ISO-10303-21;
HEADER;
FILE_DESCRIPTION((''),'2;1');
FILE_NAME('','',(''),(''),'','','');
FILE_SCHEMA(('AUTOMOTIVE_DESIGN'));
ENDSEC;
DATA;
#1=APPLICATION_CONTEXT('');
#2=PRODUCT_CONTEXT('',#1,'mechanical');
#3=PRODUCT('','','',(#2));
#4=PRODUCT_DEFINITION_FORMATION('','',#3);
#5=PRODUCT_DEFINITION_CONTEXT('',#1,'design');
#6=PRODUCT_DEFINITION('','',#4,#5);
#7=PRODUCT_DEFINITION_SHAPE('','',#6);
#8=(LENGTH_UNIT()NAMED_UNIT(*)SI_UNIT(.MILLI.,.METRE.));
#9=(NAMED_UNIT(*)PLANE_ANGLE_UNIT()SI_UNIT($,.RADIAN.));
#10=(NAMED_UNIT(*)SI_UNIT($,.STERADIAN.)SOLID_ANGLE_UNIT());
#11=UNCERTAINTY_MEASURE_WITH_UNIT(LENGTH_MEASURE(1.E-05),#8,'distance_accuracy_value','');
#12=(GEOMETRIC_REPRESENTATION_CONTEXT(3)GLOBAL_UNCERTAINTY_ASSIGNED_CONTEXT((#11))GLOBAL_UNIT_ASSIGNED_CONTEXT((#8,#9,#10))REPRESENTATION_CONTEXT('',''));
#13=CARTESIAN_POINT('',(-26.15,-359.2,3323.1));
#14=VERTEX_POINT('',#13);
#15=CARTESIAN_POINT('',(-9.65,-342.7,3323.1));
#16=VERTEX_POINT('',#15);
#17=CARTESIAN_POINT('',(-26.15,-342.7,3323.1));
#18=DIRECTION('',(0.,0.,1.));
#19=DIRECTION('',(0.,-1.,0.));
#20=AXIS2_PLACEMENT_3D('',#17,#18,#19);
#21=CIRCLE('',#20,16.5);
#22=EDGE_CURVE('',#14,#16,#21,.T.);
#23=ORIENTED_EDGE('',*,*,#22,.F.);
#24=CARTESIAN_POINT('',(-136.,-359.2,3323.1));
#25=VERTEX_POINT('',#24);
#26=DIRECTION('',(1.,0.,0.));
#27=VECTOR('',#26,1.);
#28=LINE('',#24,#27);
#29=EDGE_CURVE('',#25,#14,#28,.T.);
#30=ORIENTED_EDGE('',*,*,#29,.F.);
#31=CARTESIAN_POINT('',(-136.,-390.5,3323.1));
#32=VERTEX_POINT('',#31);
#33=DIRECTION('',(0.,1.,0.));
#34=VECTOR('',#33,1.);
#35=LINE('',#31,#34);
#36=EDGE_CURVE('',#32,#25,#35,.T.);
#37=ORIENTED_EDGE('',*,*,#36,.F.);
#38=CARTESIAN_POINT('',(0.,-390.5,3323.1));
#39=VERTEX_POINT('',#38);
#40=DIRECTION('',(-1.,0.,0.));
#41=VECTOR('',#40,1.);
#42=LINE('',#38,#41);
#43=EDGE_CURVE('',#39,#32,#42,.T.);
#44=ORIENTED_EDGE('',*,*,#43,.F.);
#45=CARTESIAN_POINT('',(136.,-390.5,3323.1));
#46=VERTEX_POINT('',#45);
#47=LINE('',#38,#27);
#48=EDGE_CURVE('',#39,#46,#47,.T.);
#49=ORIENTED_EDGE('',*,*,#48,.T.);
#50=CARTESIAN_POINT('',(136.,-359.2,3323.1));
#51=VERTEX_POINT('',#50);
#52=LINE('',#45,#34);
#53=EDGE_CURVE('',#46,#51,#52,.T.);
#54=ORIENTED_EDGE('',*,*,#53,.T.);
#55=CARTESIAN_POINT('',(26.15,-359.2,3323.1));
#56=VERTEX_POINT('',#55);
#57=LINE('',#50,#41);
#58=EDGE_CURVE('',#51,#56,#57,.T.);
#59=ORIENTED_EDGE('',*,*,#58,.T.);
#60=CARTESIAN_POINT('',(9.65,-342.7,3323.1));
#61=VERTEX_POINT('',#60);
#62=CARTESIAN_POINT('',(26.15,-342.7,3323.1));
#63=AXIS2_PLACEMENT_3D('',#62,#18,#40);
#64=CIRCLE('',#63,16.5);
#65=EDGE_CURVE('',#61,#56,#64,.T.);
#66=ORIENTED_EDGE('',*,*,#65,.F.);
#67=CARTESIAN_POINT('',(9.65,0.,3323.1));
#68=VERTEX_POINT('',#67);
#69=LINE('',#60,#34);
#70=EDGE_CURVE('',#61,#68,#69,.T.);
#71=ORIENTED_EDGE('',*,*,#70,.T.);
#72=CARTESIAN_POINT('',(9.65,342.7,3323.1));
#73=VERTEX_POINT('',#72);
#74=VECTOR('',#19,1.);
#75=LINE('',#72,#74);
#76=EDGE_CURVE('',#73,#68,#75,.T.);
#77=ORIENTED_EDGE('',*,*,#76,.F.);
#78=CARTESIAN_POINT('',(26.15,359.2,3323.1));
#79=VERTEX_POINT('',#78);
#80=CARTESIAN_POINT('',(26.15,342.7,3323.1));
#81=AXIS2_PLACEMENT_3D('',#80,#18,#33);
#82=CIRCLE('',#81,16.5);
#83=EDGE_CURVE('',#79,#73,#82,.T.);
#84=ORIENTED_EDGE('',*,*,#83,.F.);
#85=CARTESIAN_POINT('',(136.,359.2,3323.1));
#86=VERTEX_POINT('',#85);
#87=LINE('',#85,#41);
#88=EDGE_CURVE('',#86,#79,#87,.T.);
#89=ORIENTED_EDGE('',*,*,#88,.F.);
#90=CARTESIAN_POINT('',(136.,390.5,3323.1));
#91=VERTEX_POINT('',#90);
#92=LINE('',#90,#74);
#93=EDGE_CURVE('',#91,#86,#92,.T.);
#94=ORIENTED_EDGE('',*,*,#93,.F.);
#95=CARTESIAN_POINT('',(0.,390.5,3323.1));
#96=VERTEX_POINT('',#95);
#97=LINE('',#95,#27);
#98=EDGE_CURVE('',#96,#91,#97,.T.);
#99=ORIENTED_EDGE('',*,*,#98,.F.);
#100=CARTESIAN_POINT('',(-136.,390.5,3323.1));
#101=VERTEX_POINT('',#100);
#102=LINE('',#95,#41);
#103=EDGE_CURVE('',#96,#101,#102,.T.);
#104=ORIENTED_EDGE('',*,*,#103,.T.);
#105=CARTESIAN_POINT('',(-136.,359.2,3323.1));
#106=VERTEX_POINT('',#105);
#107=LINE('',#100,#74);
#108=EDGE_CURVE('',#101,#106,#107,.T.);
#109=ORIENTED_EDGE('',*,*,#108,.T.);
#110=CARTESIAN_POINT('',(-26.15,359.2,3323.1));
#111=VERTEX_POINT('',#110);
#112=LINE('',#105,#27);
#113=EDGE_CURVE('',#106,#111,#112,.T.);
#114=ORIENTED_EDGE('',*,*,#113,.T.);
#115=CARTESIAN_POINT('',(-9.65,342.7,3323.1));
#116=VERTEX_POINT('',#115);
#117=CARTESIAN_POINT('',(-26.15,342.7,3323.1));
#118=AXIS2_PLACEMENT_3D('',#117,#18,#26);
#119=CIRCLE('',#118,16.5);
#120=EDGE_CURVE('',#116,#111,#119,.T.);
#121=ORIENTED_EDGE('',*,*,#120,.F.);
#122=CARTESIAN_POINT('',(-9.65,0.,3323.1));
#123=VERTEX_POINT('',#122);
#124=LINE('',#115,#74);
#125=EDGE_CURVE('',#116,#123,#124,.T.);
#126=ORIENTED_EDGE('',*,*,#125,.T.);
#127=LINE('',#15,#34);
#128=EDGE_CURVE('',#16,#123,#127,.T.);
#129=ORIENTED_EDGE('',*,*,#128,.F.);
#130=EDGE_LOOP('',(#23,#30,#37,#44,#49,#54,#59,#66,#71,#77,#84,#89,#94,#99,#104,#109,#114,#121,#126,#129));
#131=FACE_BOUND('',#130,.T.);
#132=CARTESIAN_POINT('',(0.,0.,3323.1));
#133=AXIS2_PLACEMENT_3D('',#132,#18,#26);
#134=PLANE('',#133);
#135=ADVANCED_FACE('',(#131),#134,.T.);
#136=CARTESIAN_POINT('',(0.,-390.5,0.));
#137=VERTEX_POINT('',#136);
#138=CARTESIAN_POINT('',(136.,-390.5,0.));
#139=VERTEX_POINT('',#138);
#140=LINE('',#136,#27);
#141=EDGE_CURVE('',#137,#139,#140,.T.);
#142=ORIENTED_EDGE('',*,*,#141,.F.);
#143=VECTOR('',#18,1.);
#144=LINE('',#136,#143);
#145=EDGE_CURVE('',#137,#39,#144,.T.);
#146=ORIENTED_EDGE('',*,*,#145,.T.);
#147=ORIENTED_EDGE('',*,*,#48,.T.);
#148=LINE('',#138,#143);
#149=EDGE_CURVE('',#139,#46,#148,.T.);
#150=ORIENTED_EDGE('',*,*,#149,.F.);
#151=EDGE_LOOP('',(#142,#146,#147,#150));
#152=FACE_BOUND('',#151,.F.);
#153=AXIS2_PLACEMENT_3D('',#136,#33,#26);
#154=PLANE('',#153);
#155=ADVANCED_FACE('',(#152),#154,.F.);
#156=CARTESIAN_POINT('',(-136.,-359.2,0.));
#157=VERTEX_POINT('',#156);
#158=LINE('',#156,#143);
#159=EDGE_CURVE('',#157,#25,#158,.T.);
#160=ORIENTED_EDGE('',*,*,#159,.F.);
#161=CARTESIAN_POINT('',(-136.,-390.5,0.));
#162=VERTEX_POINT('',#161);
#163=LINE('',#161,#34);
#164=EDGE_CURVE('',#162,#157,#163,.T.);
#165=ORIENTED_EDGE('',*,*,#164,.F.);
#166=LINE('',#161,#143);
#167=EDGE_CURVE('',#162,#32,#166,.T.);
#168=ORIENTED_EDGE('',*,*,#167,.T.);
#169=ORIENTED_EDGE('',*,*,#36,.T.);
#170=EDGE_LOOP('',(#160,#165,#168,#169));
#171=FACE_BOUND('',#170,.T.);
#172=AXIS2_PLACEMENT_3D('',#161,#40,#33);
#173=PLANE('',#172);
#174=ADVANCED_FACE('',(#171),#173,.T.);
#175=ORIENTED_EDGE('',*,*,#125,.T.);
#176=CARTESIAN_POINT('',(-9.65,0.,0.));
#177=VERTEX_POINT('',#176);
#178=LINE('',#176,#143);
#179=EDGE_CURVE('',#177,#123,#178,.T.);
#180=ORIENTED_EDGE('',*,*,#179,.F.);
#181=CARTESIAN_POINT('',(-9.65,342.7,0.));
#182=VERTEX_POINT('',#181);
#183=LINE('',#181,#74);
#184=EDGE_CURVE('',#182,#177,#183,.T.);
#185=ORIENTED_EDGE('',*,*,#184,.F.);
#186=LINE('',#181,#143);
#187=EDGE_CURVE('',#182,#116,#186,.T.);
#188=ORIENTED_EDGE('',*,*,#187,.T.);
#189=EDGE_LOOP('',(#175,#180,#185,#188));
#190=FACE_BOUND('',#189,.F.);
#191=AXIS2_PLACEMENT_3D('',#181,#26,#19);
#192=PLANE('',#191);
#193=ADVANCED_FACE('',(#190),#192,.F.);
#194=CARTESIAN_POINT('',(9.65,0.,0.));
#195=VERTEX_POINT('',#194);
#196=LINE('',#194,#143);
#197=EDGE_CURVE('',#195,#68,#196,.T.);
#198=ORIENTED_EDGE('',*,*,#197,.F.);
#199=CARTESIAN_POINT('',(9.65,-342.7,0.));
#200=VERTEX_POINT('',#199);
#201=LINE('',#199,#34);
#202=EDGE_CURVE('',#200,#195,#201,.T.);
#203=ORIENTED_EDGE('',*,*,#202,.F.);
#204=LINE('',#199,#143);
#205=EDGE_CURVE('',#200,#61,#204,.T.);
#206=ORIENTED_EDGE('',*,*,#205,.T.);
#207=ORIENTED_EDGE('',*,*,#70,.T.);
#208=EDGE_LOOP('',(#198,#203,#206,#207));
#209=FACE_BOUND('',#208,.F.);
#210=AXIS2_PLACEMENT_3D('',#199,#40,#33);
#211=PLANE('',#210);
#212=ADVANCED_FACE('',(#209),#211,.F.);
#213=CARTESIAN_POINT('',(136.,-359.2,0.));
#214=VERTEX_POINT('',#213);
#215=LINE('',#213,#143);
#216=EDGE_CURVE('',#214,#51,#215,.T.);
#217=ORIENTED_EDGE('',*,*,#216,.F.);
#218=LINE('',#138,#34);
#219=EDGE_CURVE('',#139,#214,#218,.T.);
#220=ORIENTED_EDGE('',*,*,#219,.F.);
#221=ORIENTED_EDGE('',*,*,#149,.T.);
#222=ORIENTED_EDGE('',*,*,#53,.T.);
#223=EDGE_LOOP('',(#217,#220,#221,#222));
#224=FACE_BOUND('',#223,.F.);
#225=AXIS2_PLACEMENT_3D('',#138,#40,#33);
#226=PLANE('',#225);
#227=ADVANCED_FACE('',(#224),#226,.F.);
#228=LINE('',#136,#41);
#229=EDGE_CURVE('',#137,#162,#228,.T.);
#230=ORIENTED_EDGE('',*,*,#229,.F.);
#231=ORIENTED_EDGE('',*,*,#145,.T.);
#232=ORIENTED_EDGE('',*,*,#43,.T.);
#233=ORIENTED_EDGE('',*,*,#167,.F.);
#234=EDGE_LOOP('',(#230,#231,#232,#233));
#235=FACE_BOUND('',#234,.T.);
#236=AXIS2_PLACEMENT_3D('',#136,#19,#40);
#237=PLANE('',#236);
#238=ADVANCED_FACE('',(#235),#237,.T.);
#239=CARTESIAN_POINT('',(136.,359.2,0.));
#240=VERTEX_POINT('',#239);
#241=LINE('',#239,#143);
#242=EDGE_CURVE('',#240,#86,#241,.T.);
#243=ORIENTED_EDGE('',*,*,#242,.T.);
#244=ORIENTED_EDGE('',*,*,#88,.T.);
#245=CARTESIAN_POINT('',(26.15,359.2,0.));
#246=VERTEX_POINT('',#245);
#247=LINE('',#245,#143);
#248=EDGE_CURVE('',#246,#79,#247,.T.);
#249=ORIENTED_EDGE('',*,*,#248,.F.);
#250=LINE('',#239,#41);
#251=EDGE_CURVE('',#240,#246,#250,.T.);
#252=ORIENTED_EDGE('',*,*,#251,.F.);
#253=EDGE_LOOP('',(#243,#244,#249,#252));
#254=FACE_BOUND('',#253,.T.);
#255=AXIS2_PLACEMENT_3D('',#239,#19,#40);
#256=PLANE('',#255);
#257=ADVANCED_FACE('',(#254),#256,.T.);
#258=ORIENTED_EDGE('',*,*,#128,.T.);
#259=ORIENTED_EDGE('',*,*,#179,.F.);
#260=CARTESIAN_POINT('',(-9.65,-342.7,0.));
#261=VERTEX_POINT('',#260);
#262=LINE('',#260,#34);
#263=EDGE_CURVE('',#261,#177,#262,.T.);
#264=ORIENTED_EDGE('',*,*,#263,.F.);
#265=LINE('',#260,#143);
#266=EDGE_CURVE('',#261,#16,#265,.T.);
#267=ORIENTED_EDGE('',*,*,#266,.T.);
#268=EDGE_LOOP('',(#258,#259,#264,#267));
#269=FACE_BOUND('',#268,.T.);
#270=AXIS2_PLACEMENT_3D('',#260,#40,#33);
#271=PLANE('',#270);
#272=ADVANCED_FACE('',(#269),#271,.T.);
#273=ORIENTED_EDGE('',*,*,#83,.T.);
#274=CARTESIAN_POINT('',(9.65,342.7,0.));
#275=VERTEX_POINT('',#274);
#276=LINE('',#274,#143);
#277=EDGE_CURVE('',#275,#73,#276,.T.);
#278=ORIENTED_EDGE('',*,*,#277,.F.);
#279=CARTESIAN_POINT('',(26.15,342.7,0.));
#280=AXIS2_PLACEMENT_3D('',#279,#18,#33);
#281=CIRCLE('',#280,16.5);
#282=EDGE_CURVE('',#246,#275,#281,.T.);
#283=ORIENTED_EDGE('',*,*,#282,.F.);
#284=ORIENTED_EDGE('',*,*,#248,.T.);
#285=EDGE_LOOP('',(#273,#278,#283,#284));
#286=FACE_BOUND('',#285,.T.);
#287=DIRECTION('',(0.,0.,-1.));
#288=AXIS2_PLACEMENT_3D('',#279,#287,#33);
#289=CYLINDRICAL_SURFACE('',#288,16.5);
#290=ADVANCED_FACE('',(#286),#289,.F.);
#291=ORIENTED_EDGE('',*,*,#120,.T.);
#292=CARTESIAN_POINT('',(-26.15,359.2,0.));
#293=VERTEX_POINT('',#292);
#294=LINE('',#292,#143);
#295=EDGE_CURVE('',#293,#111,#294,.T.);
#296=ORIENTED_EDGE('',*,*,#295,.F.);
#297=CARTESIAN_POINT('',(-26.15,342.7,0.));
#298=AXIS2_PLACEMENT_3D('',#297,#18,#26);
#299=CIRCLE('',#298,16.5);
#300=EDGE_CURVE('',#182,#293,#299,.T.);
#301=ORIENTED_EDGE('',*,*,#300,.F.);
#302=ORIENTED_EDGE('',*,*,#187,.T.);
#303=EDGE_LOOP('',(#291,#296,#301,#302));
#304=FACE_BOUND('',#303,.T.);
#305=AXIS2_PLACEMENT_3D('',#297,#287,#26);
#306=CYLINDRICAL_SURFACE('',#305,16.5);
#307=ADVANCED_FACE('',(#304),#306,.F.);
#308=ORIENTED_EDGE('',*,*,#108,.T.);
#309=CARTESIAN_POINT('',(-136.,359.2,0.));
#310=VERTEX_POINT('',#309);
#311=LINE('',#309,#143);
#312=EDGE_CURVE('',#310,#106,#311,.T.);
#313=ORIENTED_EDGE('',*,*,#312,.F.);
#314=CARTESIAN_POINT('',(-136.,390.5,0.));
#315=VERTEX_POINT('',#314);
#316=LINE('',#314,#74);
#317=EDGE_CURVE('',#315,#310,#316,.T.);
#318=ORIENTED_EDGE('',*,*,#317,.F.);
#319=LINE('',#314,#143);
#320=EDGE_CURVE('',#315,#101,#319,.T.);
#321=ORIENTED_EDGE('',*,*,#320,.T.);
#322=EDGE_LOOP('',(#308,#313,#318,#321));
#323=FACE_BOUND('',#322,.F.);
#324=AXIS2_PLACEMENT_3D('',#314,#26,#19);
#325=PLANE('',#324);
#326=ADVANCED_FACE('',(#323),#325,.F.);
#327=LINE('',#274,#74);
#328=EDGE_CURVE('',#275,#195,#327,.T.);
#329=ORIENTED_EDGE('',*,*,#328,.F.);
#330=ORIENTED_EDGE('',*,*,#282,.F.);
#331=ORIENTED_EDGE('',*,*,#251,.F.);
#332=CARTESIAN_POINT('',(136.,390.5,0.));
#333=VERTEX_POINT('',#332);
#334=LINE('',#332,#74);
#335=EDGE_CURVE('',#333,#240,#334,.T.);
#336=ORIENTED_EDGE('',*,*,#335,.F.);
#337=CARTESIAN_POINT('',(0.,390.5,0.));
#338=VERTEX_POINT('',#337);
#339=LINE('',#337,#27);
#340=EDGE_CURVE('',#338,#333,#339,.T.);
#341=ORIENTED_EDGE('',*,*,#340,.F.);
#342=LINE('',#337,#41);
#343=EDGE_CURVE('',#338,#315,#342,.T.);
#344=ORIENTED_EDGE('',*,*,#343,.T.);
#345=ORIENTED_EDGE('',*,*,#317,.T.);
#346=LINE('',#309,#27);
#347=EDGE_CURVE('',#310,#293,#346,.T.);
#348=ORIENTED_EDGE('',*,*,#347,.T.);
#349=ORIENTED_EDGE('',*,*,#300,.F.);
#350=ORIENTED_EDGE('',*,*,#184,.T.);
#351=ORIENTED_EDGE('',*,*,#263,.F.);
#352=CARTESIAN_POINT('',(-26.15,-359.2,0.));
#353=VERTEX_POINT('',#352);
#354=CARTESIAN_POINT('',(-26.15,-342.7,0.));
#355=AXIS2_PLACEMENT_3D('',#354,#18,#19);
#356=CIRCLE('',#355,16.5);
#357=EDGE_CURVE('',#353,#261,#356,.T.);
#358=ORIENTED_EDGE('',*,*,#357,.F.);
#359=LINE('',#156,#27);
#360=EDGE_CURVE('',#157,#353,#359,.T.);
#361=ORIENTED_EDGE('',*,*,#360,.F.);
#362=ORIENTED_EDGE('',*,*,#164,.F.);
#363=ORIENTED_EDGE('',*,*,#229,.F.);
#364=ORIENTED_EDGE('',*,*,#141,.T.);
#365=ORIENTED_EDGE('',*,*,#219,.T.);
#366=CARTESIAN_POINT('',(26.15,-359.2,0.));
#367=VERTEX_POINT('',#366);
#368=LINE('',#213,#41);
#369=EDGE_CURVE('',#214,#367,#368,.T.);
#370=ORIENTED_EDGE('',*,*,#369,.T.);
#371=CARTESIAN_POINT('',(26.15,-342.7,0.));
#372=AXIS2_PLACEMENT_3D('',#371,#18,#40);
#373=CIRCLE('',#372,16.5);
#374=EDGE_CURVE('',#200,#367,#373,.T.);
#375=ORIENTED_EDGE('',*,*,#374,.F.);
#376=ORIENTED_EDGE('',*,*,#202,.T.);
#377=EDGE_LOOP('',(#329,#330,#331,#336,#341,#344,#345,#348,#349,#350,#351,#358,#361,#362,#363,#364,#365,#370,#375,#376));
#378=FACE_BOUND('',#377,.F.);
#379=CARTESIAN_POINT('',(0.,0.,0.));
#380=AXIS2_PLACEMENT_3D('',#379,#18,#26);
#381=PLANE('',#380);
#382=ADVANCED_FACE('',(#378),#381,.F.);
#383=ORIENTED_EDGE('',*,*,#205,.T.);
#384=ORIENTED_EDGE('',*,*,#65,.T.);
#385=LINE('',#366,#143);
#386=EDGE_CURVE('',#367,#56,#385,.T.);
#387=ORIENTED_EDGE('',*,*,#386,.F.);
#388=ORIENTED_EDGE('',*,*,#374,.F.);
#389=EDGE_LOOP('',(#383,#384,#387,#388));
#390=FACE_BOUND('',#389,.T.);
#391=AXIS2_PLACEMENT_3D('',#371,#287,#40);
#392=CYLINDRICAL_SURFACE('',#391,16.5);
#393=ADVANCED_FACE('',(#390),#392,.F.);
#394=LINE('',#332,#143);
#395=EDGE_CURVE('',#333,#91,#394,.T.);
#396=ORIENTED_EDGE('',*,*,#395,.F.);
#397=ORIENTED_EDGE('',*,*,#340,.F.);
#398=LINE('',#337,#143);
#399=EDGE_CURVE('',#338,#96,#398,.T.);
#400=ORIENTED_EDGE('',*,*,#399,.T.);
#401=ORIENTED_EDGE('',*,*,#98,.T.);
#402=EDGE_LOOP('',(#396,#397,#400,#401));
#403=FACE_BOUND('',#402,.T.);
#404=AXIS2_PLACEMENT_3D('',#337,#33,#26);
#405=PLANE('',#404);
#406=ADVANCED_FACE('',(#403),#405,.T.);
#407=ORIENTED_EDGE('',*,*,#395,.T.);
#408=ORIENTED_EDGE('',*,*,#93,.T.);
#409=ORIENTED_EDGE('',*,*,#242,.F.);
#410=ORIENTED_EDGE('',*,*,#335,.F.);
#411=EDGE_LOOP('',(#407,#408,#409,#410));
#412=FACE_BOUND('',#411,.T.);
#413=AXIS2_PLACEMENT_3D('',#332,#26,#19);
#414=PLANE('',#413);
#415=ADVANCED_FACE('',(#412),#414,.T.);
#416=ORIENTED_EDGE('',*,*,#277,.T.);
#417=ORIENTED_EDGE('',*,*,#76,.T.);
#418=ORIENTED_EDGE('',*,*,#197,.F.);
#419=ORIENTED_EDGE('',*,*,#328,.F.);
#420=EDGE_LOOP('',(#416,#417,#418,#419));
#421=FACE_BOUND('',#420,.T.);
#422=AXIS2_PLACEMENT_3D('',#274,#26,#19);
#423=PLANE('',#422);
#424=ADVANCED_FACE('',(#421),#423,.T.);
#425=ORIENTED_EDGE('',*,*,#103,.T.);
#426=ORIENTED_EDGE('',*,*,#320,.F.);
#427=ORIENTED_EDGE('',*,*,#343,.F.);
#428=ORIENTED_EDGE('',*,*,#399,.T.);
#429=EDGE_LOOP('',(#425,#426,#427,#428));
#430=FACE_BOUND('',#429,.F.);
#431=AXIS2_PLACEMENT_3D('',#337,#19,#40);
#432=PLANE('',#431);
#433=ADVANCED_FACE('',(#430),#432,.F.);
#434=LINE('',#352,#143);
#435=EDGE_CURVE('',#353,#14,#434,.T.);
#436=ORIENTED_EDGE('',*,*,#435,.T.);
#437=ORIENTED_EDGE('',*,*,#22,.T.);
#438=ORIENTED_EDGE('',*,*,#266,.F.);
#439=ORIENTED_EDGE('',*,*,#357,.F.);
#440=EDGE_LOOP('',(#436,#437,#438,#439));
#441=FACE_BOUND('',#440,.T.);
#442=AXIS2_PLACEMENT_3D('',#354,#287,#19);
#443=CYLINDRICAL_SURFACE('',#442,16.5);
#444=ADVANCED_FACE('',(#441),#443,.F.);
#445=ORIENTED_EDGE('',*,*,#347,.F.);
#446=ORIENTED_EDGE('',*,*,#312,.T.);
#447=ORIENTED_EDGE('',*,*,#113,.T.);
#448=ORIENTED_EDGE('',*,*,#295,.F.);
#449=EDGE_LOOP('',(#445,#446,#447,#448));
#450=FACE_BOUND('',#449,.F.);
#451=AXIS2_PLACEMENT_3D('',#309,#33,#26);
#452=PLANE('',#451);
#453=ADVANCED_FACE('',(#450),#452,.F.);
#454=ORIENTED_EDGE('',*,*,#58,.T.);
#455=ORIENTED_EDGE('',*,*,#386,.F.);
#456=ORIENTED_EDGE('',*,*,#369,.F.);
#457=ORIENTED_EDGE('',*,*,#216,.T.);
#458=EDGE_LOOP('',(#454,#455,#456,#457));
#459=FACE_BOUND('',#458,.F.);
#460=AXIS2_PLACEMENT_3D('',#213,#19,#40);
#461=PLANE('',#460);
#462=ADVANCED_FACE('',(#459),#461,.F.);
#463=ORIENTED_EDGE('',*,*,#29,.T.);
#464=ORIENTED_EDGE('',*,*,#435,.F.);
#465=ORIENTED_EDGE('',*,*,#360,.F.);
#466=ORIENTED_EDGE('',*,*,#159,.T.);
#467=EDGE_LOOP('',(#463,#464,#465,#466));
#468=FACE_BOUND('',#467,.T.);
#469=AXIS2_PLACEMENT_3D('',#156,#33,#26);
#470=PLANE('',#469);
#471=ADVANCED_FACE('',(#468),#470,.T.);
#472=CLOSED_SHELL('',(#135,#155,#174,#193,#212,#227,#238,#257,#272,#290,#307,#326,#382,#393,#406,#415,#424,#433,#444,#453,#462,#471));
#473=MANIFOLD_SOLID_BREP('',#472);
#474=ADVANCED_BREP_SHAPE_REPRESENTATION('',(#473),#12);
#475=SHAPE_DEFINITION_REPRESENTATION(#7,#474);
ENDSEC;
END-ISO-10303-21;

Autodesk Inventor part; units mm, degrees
ref_plane "YZ Plane" through (0, 0, 0) normal (1, 0, 0) x (0, 1, 0)
ref_plane "Start plane" through (0, 0, 0) normal (0, 0, 1) x (1, 0, 0)
ref_plane "End plane" through (0, 0, 3323.1) normal (0, 0, 1) x (1, 0, 0)
sketch "Sketch" plane through (0, 0, 0) normal (0, 0, 1) x (1, 0, 0)
  line L0 (-136, -390.5) -> (-136, -359.2)
  line L1 (-136, -359.2) -> (-26.15, -359.2)
  line L2 (-9.65, -342.7) -> (-9.65, 0)
  line L3 (-9.65, 0) -> (0, 0) construction
  line L4 (0, 0) -> (0, -390.5) construction
  line L5 (0, -390.5) -> (-136, -390.5)
  line L6 (-60, 0) -> (80, 0) construction
  line L7 (0, -60) -> (0, 80) construction
  line L8 (136, -390.5) -> (136, -359.2)
  line L9 (136, -359.2) -> (26.15, -359.2)
  line L10 (9.65, -342.7) -> (9.65, 0)
  line L11 (9.65, 0) -> (0, 0) construction
  line L12 (0, -390.5) -> (136, -390.5)
  line L13 (-136, 390.5) -> (-136, 359.2)
  line L14 (-136, 359.2) -> (-26.15, 359.2)
  line L15 (-9.65, 342.7) -> (-9.65, 0)
  line L16 (0, 390.5) -> (-136, 390.5)
  line L17 (136, 390.5) -> (136, 359.2)
  line L18 (136, 359.2) -> (26.15, 359.2)
  line L19 (0, 390.5) -> (136, 390.5)
  line L20 (9.65, 342.7) -> (9.65, 0)
  arc A0 (-9.65, 342.7) -> (-26.15, 359.2) centre (-26.15, 342.7) ccw
  arc A1 (26.15, 359.2) -> (9.65, 342.7) centre (26.15, 342.7) ccw
  arc A2 (9.65, -342.7) -> (26.15, -359.2) centre (26.15, -342.7) ccw
  arc A3 (-26.15, -359.2) -> (-9.65, -342.7) centre (-26.15, -342.7) ccw
  line L21 (0, 108) -> (0, -88) construction
  line L22 (-88, 0) -> (108, 0) construction
  point P0 (-9.65, -359.2)
  point P1 (9.65, -359.2)
  point P2 (-9.65, 359.2)
  point P3 (9.65, 359.2)
  dimension "d1" = 390.5
  dimension "d2" = 31.3
  dimension "d3" = 136
  dimension "d4" = 9.65
  dimension "d10" = 16.5
extrude "Body" add sketch "Sketch" along normal up to surface (3323.1 mm away) from surface at 0
sketch "Sketch4" plane through (0, 0, 0) normal (0, 0, 1) x (1, 0, 0)
  line L0 (0, 0) -> (10, 0)
ref_plane "Work Plane3" through (0, 0, 0) normal (0, -1, 0) x (1, 0, 0)
sketch "Sketch5" plane through (0, 0, 0) normal (0, -1, 0) x (1, 0, 0)
  line L0 (-2, 0) -> (12, 0) projected
  line L1 (-2, 3323.1) -> (12, 3323.1) projected
  dimension "d14" = 3323.1
equation "\"d1\" = 0.5 * G_H"
equation "\"d2\" = G_T1"
equation "\"d3\" = 0.5 * G_W"
equation "\"d4\" = 0.5 * G_T"
equation "\"d10\" = G_IR"
equation "\"d5\" = G_L"
equation "\"G_W\" = 272"
equation "\"G_H\" = 781"
equation "\"G_T\" = 19.3"
equation "\"G_T1\" = 31.3"
equation "\"G_IR\" = 16.5"
equation "\"G_L\" = d14"
equation "\"G_OFFSET_START\" = 0"
equation "\"G_OFFSET_END\" = 0"
equation "\"d12\" = G_OFFSET_END + B_L"
equation "\"B_L\" = 3323.1"
properties part number "AS 3679-1990 - 760 UB - 244 - 3323.1" material "Steel, Mild"
